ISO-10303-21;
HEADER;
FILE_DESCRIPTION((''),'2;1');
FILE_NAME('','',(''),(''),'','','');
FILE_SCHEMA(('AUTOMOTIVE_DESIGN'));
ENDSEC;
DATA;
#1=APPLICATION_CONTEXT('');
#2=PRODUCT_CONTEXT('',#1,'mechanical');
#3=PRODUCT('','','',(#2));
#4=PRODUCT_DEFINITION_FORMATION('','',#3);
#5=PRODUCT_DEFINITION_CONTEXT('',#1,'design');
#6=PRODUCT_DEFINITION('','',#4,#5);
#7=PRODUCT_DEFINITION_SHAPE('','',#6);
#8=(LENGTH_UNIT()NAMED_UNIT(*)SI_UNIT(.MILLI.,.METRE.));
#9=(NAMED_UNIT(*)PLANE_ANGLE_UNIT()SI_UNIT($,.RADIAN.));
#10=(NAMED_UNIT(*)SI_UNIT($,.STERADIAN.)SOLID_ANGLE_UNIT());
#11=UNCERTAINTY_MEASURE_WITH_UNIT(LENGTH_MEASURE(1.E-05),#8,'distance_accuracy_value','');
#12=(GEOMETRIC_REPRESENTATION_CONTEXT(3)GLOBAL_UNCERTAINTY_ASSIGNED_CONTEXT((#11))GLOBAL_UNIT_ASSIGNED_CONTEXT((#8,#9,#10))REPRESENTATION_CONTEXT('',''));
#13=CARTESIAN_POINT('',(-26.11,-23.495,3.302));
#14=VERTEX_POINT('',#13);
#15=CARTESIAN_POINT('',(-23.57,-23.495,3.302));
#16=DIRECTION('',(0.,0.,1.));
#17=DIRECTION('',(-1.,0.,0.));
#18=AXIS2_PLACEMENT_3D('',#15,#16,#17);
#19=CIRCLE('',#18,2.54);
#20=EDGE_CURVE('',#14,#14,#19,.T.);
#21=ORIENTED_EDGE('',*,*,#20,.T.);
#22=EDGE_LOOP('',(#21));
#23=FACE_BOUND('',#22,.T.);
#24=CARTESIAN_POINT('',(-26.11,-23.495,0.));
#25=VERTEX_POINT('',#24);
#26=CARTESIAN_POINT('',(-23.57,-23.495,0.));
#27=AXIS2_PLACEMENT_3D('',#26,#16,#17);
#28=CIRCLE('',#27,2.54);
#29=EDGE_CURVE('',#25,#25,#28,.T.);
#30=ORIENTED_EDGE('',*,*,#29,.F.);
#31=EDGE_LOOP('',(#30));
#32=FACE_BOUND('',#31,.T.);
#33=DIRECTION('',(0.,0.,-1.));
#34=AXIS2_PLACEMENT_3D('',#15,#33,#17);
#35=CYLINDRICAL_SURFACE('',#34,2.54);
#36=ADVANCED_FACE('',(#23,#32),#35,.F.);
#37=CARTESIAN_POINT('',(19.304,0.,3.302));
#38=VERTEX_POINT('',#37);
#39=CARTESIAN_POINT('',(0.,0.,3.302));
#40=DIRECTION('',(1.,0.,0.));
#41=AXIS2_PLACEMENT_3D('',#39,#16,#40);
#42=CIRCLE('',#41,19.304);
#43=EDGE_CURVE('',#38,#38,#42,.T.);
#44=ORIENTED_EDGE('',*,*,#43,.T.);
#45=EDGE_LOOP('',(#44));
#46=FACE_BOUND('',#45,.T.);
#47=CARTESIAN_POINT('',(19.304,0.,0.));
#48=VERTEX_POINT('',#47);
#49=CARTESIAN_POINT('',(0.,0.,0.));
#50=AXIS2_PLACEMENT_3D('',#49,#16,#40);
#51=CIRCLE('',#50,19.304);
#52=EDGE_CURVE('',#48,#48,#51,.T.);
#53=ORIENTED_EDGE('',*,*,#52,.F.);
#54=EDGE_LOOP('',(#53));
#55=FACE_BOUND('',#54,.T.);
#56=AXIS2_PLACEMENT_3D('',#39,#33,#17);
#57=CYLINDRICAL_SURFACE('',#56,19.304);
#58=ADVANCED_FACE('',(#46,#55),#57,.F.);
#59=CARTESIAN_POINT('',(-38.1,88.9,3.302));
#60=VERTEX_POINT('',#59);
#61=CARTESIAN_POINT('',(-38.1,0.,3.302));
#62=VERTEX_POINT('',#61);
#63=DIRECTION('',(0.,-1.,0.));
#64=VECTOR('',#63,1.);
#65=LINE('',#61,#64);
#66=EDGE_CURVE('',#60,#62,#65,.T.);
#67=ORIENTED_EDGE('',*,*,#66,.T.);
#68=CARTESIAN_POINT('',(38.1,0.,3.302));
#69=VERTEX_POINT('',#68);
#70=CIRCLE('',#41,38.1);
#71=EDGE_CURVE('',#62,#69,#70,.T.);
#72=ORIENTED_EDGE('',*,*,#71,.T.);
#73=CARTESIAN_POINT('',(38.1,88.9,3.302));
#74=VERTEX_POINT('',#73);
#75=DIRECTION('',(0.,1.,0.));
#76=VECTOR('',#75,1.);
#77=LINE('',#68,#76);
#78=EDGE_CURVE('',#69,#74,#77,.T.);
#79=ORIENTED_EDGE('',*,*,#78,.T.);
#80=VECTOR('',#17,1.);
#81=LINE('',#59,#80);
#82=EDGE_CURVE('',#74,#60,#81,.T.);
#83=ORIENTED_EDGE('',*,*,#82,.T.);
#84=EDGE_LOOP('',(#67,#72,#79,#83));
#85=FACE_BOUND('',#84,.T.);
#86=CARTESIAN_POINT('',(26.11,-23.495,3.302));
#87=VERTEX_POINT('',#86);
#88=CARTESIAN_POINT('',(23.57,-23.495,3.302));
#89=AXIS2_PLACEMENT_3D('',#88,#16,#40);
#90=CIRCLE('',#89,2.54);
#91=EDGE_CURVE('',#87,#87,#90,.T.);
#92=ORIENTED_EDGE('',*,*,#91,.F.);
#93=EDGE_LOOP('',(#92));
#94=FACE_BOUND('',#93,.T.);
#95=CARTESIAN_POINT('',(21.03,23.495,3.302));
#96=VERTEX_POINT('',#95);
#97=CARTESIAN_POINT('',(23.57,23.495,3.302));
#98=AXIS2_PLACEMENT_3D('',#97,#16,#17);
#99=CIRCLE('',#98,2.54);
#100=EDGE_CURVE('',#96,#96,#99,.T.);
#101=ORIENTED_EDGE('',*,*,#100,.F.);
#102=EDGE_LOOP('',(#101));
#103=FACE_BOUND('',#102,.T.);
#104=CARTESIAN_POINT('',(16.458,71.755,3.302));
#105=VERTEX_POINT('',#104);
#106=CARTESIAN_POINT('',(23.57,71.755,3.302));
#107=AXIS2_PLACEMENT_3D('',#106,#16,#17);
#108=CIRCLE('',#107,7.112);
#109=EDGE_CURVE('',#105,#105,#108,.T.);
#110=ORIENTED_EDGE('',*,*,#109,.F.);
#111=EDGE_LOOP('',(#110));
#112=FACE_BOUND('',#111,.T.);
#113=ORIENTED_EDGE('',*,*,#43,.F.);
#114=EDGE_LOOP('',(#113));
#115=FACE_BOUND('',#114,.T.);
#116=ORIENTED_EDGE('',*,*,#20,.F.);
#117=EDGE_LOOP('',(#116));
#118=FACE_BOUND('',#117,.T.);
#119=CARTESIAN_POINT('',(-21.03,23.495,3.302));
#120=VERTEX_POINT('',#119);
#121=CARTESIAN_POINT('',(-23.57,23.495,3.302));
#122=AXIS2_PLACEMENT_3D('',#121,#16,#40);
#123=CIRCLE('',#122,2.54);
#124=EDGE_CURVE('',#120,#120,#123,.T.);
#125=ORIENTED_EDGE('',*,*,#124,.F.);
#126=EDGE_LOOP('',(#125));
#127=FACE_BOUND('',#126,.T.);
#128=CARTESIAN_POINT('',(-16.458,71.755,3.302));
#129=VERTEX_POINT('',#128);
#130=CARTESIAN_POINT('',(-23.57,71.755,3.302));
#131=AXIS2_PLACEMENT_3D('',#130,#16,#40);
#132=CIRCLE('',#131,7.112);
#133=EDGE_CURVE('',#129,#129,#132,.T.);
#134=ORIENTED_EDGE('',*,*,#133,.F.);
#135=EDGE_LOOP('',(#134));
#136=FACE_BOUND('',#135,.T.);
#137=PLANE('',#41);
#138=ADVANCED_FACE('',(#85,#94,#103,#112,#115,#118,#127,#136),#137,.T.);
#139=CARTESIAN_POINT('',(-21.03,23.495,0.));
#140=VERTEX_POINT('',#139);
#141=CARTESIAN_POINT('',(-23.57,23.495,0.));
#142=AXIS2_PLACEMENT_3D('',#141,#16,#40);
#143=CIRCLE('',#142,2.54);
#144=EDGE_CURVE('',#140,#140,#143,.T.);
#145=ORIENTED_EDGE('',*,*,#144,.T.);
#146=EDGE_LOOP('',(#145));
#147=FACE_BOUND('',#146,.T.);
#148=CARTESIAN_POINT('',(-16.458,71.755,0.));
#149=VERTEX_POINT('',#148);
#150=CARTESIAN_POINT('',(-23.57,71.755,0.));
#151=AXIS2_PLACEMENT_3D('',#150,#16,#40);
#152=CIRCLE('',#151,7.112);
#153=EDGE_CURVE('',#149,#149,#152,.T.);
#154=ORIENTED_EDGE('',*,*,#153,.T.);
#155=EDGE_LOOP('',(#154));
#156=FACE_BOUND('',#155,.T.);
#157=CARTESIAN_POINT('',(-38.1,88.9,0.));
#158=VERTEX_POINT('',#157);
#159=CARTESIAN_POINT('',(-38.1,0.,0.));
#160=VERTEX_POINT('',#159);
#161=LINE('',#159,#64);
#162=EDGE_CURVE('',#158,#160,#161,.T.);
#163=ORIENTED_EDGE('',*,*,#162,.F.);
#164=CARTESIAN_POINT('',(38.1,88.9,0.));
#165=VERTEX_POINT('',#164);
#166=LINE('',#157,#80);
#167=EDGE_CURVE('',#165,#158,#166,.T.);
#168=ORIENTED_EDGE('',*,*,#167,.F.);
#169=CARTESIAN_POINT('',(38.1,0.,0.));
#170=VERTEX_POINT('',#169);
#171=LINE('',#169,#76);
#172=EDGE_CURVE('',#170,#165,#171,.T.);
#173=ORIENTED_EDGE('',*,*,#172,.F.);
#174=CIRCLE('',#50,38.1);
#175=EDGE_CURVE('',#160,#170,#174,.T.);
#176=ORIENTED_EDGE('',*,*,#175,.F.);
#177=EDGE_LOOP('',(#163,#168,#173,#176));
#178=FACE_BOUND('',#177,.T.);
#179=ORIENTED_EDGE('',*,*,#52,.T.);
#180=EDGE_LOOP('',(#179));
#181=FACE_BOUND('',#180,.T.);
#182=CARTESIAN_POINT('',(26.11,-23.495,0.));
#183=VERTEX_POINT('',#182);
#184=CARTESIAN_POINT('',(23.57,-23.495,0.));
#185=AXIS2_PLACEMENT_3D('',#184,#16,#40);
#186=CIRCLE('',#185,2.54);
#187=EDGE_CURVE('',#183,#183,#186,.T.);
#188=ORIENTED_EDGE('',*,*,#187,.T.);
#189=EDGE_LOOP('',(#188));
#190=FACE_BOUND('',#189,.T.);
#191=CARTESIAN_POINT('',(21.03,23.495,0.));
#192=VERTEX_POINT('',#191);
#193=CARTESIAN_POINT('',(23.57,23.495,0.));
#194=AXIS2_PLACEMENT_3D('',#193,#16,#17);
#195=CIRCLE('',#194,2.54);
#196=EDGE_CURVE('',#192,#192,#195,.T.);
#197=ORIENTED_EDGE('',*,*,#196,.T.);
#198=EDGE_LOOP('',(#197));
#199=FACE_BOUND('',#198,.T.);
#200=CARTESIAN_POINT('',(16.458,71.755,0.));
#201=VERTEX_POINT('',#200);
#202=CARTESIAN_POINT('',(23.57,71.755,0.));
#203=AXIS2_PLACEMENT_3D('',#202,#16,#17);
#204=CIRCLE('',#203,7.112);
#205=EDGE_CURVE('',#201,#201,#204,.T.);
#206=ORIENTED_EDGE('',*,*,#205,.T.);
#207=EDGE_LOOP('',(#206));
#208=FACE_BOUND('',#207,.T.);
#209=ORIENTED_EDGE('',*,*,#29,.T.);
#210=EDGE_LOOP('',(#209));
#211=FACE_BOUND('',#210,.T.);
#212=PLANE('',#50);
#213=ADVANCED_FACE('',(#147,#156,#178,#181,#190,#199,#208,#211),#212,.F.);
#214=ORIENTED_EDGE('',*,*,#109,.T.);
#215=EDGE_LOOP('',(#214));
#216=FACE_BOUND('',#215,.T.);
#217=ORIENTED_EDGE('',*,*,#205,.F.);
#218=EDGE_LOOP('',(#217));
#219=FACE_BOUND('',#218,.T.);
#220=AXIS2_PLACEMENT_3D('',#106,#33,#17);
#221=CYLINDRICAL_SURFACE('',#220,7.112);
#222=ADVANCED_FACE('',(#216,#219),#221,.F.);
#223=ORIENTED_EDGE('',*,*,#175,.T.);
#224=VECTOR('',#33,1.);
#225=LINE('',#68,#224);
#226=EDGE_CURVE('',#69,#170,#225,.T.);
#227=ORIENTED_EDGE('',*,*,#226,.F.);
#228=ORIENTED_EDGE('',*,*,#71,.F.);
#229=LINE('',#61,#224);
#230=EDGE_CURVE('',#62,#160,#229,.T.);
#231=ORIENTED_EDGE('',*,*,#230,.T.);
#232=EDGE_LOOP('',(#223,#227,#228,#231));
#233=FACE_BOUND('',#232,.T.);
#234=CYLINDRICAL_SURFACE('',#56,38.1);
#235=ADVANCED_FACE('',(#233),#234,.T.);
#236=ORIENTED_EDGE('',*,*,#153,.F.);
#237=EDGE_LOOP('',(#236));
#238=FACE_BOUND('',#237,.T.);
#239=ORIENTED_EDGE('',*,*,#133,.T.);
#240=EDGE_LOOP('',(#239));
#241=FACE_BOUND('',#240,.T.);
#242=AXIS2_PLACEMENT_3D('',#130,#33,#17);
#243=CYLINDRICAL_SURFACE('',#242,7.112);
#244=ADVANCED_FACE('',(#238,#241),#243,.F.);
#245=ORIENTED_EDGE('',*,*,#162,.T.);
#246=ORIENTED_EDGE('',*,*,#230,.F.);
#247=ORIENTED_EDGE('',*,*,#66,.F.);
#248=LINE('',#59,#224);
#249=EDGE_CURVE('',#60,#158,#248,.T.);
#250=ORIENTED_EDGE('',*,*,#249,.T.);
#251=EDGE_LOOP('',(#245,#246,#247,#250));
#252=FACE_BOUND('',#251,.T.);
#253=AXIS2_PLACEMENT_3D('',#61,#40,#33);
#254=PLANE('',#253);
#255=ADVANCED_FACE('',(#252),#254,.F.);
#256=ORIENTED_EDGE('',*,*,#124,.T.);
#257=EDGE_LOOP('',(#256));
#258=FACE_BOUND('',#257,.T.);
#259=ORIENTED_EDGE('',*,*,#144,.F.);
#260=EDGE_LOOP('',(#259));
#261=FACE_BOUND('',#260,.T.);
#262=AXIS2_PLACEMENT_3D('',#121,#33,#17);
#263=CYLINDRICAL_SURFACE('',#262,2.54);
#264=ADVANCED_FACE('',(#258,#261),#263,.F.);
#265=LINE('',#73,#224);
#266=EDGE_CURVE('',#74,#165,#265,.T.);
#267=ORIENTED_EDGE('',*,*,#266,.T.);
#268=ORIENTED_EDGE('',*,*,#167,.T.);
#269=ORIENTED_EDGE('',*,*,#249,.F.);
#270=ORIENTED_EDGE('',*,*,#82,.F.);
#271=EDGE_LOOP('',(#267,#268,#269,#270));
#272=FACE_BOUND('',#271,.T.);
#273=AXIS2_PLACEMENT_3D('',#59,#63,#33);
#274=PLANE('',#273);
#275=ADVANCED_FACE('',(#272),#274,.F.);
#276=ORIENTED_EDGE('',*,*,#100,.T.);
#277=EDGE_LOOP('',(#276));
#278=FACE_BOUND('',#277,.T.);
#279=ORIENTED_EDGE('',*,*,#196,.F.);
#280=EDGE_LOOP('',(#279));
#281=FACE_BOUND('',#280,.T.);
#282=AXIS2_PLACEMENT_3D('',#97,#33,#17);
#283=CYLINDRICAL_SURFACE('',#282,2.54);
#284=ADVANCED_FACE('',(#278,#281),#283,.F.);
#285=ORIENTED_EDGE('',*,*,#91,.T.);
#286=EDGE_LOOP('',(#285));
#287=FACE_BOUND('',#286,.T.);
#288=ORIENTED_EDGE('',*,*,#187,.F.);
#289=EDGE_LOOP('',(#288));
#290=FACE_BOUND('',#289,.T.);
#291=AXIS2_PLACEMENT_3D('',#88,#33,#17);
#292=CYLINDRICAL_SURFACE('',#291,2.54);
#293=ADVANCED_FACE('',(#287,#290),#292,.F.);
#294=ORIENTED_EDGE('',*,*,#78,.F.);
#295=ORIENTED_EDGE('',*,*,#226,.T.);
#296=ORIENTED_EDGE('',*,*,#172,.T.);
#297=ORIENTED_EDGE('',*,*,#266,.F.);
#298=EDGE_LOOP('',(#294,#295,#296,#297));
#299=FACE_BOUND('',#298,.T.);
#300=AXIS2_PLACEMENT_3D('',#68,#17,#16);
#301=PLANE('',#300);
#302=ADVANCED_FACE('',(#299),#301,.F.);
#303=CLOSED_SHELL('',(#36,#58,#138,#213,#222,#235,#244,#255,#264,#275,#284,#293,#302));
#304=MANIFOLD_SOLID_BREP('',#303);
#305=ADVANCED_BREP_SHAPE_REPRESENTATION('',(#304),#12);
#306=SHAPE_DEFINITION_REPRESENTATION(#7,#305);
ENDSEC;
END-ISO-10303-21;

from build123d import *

# Parameters (mm, degrees)
SKETCH1_R           = 7.112
SKETCH1_R_2         = 2.54
SKETCH1_R_3         = 19.304
BOSS_EXTRUDE1_DEPTH = 3.302


with BuildPart() as part:
    # Sketch1 → Boss-Extrude1 (new body)
    with BuildSketch(Plane.XY):
        with BuildLine():
            Line((-38.1, 0), (-38.1, 88.9))
            Line((-38.1, 88.9), (38.1, 88.9))
            Line((38.1, 88.9), (38.1, 0))
            ThreePointArc((38.1, 0), (0, -38.1), (-38.1, 0))
        make_face()
        with Locations((23.57, 71.755)):
            Circle(SKETCH1_R, mode=Mode.SUBTRACT)
        with Locations((23.57, 23.495)):
            Circle(SKETCH1_R_2, mode=Mode.SUBTRACT)
        with Locations((-23.57, -23.495)):
            Circle(SKETCH1_R_2, mode=Mode.SUBTRACT)
        with Locations((-23.57, 23.495)):
            Circle(SKETCH1_R_2, mode=Mode.SUBTRACT)
        with Locations((-23.57, 71.755)):
            Circle(SKETCH1_R, mode=Mode.SUBTRACT)
        with Locations((23.57, -23.495)):
            Circle(SKETCH1_R_2, mode=Mode.SUBTRACT)
        Circle(SKETCH1_R_3, mode=Mode.SUBTRACT)
    extrude(amount=BOSS_EXTRUDE1_DEPTH)


solid = part.part
